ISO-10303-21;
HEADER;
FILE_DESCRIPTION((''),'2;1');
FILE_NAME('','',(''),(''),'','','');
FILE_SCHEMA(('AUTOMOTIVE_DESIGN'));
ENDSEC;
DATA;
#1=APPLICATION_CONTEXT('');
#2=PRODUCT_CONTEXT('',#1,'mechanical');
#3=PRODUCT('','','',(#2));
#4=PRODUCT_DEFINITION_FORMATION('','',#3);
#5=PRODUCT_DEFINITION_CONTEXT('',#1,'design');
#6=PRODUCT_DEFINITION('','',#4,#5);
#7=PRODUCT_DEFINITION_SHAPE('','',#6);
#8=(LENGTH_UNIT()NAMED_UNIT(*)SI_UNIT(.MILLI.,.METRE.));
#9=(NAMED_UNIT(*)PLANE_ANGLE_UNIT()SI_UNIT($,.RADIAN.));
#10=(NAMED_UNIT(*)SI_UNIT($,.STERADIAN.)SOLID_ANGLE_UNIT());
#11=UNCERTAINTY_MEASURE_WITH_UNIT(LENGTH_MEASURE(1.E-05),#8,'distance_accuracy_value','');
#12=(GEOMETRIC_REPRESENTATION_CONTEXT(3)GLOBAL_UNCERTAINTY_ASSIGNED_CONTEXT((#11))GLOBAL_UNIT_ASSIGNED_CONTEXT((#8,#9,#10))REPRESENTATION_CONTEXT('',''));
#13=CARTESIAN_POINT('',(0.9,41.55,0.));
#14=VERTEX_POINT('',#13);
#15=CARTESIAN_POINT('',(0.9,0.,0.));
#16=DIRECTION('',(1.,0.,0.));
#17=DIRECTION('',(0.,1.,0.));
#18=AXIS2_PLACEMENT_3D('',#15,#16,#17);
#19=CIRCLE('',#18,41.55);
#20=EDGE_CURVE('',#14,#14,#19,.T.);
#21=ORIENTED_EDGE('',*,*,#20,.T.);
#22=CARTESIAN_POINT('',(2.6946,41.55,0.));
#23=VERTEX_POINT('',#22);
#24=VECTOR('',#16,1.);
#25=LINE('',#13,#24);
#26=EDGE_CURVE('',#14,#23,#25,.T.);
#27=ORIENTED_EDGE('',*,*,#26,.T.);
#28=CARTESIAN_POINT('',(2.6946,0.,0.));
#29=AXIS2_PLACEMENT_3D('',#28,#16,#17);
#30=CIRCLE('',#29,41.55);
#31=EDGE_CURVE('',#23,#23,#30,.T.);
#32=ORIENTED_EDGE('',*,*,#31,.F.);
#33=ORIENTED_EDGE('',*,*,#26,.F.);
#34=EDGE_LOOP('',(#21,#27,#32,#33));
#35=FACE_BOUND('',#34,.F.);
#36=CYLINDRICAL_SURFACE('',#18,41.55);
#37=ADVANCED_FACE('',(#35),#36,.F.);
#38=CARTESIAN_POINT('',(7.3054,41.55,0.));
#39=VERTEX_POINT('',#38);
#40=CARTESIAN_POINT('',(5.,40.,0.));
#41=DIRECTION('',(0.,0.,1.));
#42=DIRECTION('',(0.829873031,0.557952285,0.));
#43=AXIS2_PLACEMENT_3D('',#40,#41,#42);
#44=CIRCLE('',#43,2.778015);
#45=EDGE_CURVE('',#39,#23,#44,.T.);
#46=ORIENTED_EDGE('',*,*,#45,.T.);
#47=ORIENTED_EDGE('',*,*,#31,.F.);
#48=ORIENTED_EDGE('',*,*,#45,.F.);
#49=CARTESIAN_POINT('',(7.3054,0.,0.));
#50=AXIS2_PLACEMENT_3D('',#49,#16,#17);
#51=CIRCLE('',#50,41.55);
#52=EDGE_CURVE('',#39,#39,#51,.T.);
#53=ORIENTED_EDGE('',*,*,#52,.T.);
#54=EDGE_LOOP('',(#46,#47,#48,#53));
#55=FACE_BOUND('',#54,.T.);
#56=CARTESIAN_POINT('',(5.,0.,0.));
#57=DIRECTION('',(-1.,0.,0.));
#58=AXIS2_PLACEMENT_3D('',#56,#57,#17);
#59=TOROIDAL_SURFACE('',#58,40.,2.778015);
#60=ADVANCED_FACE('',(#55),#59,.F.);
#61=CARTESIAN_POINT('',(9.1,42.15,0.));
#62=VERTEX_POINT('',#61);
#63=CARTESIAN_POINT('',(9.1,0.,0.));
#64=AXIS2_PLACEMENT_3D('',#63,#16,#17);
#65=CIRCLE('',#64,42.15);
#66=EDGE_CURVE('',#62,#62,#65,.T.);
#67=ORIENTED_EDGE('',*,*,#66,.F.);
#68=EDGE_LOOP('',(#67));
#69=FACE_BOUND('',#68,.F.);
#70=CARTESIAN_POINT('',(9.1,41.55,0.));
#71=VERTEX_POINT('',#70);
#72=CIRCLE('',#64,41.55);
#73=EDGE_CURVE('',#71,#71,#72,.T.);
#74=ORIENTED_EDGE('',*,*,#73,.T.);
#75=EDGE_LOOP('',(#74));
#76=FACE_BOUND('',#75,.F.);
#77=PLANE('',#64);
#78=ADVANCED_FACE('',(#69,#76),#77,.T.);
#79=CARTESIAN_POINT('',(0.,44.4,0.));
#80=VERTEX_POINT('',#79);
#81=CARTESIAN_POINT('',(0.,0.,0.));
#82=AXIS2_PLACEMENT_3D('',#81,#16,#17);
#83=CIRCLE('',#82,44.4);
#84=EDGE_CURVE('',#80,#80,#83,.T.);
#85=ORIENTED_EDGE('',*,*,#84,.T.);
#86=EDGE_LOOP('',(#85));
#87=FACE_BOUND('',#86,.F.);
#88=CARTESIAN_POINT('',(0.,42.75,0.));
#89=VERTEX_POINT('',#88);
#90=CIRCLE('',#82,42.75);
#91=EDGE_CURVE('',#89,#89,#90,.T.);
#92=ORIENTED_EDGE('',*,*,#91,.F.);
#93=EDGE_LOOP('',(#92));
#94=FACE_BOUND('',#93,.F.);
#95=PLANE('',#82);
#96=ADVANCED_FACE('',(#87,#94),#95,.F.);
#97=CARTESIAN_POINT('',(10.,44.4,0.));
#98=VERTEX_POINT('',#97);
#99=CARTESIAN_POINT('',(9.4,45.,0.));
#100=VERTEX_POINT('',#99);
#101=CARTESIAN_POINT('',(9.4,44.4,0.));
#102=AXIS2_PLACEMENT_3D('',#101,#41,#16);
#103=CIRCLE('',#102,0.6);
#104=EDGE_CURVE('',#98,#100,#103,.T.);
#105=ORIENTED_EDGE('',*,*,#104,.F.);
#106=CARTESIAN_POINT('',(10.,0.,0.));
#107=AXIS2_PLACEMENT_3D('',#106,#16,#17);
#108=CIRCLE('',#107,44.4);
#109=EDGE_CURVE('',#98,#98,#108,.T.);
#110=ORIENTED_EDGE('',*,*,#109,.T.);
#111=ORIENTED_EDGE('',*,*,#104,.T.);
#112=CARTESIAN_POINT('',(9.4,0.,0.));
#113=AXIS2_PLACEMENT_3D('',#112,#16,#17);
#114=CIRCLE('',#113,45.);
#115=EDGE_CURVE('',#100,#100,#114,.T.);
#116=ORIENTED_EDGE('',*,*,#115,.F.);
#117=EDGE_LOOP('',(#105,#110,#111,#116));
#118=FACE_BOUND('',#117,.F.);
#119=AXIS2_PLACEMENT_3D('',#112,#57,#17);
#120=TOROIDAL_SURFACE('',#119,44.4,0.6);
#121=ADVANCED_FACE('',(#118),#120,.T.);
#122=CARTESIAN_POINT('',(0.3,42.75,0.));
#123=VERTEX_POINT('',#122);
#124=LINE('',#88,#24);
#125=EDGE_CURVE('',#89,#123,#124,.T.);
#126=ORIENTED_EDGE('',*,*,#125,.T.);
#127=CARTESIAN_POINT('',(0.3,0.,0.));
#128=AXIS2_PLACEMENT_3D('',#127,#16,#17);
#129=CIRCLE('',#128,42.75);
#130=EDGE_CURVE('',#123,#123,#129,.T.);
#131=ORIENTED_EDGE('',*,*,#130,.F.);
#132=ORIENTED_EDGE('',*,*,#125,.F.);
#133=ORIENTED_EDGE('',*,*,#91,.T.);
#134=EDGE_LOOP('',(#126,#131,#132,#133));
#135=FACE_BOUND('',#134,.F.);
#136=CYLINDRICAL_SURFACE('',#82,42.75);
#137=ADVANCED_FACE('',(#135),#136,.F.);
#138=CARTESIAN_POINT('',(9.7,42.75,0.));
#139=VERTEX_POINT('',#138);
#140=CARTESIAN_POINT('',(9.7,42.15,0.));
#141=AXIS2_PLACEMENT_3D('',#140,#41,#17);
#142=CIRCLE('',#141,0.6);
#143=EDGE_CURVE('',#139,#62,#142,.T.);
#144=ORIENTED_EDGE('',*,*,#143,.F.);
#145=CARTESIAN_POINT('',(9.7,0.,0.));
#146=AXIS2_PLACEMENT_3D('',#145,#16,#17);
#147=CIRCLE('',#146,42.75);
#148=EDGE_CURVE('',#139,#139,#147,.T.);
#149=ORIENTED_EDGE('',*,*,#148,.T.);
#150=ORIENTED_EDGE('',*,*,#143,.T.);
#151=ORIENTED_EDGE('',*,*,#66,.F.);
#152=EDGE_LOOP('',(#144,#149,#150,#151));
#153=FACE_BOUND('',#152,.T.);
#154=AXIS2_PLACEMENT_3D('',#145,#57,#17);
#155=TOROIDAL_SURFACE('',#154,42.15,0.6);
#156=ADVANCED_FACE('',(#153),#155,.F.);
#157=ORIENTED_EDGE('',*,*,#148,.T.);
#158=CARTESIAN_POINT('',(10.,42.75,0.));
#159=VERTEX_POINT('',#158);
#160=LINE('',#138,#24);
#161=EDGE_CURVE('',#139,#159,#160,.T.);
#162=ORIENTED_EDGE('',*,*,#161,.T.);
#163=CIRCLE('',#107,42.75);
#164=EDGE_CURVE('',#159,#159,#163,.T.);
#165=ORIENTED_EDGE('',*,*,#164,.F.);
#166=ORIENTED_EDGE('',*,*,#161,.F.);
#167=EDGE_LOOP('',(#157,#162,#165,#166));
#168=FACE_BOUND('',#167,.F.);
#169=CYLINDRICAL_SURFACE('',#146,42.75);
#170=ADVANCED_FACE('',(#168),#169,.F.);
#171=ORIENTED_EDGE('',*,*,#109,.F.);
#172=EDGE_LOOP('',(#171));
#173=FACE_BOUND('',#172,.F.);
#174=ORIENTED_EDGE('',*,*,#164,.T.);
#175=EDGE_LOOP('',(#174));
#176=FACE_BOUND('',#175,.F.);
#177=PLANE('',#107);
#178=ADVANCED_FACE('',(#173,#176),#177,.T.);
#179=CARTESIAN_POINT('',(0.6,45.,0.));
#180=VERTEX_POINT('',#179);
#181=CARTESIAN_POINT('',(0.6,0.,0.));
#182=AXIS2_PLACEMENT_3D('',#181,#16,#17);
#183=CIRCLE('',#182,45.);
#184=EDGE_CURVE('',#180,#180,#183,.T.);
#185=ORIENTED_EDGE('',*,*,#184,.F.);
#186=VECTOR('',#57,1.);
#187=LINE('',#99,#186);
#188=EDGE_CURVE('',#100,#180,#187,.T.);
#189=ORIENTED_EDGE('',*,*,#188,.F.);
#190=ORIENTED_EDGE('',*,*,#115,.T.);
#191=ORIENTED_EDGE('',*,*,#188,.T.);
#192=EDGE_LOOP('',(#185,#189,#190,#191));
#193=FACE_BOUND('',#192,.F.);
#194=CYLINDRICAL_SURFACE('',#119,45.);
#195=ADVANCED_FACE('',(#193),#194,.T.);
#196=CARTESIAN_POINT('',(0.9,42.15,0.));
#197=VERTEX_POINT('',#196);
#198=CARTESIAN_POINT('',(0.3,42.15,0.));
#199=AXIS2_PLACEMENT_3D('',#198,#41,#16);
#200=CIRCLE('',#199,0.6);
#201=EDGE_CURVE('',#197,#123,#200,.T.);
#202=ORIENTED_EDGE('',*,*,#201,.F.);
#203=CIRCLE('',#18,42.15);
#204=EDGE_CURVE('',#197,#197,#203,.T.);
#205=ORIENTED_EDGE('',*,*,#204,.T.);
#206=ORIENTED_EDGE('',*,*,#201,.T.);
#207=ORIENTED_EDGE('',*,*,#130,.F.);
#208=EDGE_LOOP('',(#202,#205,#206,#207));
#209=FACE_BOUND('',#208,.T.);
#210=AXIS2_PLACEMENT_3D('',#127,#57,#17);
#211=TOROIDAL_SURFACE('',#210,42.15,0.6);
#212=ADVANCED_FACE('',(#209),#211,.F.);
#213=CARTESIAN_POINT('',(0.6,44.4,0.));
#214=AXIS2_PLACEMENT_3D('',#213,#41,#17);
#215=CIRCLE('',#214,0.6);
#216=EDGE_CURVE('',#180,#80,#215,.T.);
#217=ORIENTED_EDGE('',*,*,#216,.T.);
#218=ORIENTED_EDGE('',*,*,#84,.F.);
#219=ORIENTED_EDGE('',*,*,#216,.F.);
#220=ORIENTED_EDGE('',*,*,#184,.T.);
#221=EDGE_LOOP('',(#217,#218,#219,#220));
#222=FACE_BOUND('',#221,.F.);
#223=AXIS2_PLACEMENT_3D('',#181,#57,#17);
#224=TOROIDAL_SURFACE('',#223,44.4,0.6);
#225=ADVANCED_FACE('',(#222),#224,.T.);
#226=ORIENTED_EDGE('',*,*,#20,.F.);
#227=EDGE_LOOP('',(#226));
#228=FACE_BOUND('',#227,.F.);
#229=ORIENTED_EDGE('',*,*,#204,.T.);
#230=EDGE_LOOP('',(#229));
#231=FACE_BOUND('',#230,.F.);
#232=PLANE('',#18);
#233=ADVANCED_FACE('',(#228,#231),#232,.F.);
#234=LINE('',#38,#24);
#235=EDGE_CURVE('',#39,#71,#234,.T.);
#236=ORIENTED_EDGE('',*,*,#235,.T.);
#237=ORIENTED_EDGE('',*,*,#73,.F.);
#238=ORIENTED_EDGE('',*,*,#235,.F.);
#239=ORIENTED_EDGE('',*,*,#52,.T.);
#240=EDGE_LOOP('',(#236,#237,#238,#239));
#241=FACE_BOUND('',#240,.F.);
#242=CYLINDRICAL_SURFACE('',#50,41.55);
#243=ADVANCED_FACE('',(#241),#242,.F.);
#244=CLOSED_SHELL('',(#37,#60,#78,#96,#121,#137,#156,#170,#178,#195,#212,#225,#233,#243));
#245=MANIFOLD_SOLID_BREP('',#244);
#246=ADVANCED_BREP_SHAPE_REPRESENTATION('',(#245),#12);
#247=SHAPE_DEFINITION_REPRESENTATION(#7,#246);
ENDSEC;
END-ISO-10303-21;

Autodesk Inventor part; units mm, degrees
ref_plane "YZ Plane" through (0, 0, 0) normal (1, 0, 0) x (0, 1, 0)
ref_plane "XZ Plane" through (0, 0, 0) normal (0, 1, 0) x (-1, 0, 0)
ref_plane "XY Plane" through (0, 0, 0) normal (0, 0, 1) x (1, 0, 0)
sketch "Sketch_9" plane through (0, 0, 0) normal (0, 0, 1) x (1, 0, 0)
  line L0 (50, 0) -> (-50, 0)
  line L1 (0, 44.4) -> (0, 42.75)
  line L2 (0, 42.75) -> (0.3, 42.75)
  arc A0 (0.9, 42.15) -> (0.3, 42.75) centre (0.3, 42.15) ccw
  line L3 (0.9, 42.15) -> (0.9, 41.55)
  line L4 (0.9, 41.55) -> (2.6946, 41.55)
  arc A1 (7.3054, 41.55) -> (2.6946, 41.55) centre (5, 40) ccw
  line L5 (7.3054, 41.55) -> (9.1, 41.55)
  line L6 (9.1, 41.55) -> (9.1, 42.15)
  arc A2 (9.7, 42.75) -> (9.1, 42.15) centre (9.7, 42.15) ccw
  line L7 (9.7, 42.75) -> (10, 42.75)
  line L8 (10, 42.75) -> (10, 44.4)
  arc A3 (10, 44.4) -> (9.4, 45) centre (9.4, 44.4) ccw
  line L9 (9.4, 45) -> (0.6, 45)
  arc A4 (0.6, 45) -> (0, 44.4) centre (0.6, 44.4) ccw
revolve "Revolution1" add sketch "Sketch_9" angle 360 about axis through (50, 0, 0) along (1, 0, 0)
properties part number "61814-2RS1_PART2"
